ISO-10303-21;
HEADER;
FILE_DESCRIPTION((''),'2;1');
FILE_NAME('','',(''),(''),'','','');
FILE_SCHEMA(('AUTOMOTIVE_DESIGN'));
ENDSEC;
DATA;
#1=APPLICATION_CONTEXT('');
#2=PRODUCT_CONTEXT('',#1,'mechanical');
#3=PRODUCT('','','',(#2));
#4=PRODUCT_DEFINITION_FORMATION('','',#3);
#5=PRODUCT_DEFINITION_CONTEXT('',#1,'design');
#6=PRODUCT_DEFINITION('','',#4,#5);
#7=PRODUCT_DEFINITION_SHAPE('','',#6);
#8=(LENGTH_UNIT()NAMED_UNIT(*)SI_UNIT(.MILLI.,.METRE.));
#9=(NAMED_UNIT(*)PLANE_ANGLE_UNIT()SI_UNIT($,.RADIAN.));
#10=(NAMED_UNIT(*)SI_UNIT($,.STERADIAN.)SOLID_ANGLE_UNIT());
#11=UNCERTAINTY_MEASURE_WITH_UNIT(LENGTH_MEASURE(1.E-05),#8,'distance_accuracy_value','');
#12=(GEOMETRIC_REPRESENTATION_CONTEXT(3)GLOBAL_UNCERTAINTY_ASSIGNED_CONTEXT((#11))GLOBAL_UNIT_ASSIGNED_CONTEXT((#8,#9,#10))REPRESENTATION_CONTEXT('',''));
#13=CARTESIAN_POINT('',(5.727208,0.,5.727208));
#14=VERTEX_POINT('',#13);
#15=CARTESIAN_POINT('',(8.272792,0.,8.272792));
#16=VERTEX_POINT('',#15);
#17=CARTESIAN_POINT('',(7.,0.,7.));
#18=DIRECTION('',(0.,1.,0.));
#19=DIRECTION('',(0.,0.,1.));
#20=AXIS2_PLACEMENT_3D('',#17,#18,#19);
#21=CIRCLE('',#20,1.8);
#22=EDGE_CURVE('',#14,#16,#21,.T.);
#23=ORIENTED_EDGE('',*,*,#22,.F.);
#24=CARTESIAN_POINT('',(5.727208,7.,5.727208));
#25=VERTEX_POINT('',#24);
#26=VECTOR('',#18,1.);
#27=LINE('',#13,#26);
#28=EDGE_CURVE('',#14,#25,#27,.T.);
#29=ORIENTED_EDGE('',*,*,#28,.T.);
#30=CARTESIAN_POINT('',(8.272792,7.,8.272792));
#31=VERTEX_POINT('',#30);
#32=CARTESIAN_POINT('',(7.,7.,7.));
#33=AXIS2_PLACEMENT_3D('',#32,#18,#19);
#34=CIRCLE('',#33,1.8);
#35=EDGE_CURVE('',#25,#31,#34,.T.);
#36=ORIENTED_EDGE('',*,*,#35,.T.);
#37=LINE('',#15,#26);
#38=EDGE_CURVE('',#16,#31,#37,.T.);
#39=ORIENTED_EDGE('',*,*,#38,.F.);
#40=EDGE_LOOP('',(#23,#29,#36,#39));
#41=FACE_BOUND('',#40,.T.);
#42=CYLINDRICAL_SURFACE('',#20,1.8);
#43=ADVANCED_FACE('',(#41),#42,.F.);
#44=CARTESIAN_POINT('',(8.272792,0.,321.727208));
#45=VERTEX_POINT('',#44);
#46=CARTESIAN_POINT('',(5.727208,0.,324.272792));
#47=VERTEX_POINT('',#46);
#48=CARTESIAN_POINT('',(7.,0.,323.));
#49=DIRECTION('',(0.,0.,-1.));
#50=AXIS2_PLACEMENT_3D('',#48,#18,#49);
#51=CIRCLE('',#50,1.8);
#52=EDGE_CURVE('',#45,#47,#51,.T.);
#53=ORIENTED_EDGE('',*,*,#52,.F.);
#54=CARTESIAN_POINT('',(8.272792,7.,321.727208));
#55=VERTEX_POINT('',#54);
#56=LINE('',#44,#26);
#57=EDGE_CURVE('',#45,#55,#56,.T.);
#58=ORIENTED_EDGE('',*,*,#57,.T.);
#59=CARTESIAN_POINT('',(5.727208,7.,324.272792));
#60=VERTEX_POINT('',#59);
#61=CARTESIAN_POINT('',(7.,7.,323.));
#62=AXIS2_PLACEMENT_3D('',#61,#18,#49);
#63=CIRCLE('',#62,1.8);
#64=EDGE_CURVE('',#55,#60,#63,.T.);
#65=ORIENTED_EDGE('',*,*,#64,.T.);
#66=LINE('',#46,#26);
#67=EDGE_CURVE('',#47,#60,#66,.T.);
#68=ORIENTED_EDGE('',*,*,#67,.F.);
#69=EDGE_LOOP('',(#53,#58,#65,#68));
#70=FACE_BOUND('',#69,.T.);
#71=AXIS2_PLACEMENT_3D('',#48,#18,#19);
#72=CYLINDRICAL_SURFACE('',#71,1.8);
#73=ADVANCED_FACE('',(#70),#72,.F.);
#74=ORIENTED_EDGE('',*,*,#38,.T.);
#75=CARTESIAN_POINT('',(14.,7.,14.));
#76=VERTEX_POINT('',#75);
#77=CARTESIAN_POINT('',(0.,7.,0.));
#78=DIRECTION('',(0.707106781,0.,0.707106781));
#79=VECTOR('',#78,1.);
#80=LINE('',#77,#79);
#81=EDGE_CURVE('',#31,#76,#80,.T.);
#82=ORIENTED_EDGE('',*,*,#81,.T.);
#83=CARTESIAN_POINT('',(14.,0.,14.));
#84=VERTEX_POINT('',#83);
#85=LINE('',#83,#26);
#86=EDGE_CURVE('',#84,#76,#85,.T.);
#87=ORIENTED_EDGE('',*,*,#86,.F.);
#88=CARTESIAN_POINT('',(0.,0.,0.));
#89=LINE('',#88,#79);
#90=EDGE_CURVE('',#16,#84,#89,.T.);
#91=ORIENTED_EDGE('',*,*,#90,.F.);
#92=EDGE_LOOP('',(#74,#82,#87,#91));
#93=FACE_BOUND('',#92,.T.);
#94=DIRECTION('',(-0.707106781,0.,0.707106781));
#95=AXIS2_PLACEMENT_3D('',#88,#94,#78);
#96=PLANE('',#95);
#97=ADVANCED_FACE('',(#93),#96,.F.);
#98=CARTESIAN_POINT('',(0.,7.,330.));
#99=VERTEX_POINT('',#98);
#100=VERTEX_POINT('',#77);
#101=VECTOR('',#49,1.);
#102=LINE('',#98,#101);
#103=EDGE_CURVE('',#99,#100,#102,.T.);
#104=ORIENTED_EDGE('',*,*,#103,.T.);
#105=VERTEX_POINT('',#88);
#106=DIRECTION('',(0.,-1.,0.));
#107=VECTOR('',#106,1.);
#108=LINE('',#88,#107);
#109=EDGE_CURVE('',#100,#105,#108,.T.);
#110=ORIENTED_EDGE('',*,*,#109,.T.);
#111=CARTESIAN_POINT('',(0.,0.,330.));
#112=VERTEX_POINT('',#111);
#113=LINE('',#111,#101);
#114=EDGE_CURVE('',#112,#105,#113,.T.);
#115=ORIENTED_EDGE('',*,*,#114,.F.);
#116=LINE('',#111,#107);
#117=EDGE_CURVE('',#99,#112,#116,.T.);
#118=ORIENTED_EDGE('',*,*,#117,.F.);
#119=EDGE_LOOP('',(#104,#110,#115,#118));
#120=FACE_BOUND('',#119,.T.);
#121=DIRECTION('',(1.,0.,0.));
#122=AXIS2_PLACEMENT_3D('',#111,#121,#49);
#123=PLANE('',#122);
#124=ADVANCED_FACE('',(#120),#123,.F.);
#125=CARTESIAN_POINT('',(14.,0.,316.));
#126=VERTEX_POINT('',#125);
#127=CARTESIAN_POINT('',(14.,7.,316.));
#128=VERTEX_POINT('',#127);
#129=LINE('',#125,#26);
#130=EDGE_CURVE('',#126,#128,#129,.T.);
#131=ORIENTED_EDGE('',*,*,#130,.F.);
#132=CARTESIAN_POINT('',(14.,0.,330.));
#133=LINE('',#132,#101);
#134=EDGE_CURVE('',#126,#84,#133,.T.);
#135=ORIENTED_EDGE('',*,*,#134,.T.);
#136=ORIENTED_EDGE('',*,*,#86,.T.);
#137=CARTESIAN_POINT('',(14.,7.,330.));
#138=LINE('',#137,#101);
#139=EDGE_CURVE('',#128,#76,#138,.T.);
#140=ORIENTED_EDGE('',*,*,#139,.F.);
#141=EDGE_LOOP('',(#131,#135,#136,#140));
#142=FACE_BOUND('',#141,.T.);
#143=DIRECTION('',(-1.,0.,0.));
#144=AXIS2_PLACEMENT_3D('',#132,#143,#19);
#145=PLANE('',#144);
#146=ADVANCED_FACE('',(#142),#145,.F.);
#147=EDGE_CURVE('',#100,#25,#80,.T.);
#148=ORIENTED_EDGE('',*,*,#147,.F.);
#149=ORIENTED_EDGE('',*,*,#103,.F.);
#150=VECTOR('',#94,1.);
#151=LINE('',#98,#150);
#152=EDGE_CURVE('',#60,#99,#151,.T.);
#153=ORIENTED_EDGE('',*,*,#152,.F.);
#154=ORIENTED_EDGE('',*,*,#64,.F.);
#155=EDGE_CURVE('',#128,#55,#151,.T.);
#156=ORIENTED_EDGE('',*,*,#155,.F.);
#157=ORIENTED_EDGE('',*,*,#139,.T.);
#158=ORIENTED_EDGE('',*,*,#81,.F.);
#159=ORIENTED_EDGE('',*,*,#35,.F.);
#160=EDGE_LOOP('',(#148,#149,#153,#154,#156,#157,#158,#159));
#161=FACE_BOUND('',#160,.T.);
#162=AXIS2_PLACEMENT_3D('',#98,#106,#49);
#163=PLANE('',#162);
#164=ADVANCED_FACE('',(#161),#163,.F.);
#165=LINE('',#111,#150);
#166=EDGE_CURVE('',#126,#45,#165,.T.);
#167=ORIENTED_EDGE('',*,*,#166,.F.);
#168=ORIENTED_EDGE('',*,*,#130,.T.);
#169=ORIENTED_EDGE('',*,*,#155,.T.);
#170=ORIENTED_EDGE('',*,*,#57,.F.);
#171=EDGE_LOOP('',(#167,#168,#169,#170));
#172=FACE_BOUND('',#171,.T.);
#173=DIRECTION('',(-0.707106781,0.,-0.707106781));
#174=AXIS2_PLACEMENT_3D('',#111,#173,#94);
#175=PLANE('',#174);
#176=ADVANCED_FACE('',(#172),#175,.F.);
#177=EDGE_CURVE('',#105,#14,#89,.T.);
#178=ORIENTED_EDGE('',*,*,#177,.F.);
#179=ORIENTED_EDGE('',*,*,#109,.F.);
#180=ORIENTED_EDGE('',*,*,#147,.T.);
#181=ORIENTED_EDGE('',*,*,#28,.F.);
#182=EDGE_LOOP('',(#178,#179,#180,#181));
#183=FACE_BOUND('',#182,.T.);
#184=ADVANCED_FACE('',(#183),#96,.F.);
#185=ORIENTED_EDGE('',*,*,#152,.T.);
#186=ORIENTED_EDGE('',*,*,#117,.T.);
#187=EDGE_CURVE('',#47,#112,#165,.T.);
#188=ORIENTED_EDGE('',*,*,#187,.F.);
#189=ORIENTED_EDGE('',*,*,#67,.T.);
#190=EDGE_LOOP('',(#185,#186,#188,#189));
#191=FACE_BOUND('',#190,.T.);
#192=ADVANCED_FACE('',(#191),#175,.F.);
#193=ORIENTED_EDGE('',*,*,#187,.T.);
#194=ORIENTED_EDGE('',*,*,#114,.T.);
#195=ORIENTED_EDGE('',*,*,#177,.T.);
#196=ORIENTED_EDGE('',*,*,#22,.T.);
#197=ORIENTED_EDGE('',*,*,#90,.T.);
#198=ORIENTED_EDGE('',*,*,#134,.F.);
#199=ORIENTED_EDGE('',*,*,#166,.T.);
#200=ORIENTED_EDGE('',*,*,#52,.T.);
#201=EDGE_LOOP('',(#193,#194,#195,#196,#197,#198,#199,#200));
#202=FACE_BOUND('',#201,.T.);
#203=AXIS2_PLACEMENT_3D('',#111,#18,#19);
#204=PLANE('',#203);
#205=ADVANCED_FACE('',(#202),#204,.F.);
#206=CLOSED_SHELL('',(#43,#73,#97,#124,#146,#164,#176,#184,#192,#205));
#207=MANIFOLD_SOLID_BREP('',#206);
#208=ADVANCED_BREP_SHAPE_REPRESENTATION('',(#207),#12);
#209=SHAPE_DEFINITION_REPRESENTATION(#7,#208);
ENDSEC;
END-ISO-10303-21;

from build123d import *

# Parameters (mm, degrees)
SKETCH1_W           = 14
SKETCH1_H           = 7
BOSS_EXTRUDE1_DEPTH = 330
CUT_EXTRUDE1_DEPTH  = 8
CUT_EXTRUDE2_DEPTH  = 8


with BuildPart() as part:
    # Sketch1 → Boss-Extrude1 (new body)
    with BuildSketch(Plane.XY):
        with Locations((7, 3.5)):
            Rectangle(SKETCH1_W, SKETCH1_H)
    extrude(amount=BOSS_EXTRUDE1_DEPTH)

    # Sketch2 → Cut-Extrude1 (cut, through all)
    with BuildSketch(Plane(origin=(0, 7, 0), x_dir=(1, 0, 0), z_dir=(0, 1, 0))):
        Polygon((0, 0), (14, -14), (14, 0), align=None)
        Polygon((14, -330), (0, -330), (14, -316), align=None)
    extrude(amount=-CUT_EXTRUDE1_DEPTH, mode=Mode.SUBTRACT)

    # Sketch3 → Cut-Extrude2 (cut, through all)
    with BuildSketch(Plane(origin=(0, 7, 0), x_dir=(1, 0, 0), z_dir=(0, 1, 0))):
        with BuildLine():
            Line((5.727207794, -5.727207794), (8.272792206, -8.272792206))
            ThreePointArc((8.272792206, -8.272792206), (5.727207794, -8.272792206), (5.727207794, -5.727207794))
        make_face()
        with BuildLine():
            Line((5.727207794, -324.272792206), (8.272792206, -321.727207794))
            ThreePointArc((8.272792206, -321.727207794), (5.727207794, -321.727207794), (5.727207794, -324.272792206))
        make_face()
    extrude(amount=-CUT_EXTRUDE2_DEPTH, mode=Mode.SUBTRACT)


solid = part.part
